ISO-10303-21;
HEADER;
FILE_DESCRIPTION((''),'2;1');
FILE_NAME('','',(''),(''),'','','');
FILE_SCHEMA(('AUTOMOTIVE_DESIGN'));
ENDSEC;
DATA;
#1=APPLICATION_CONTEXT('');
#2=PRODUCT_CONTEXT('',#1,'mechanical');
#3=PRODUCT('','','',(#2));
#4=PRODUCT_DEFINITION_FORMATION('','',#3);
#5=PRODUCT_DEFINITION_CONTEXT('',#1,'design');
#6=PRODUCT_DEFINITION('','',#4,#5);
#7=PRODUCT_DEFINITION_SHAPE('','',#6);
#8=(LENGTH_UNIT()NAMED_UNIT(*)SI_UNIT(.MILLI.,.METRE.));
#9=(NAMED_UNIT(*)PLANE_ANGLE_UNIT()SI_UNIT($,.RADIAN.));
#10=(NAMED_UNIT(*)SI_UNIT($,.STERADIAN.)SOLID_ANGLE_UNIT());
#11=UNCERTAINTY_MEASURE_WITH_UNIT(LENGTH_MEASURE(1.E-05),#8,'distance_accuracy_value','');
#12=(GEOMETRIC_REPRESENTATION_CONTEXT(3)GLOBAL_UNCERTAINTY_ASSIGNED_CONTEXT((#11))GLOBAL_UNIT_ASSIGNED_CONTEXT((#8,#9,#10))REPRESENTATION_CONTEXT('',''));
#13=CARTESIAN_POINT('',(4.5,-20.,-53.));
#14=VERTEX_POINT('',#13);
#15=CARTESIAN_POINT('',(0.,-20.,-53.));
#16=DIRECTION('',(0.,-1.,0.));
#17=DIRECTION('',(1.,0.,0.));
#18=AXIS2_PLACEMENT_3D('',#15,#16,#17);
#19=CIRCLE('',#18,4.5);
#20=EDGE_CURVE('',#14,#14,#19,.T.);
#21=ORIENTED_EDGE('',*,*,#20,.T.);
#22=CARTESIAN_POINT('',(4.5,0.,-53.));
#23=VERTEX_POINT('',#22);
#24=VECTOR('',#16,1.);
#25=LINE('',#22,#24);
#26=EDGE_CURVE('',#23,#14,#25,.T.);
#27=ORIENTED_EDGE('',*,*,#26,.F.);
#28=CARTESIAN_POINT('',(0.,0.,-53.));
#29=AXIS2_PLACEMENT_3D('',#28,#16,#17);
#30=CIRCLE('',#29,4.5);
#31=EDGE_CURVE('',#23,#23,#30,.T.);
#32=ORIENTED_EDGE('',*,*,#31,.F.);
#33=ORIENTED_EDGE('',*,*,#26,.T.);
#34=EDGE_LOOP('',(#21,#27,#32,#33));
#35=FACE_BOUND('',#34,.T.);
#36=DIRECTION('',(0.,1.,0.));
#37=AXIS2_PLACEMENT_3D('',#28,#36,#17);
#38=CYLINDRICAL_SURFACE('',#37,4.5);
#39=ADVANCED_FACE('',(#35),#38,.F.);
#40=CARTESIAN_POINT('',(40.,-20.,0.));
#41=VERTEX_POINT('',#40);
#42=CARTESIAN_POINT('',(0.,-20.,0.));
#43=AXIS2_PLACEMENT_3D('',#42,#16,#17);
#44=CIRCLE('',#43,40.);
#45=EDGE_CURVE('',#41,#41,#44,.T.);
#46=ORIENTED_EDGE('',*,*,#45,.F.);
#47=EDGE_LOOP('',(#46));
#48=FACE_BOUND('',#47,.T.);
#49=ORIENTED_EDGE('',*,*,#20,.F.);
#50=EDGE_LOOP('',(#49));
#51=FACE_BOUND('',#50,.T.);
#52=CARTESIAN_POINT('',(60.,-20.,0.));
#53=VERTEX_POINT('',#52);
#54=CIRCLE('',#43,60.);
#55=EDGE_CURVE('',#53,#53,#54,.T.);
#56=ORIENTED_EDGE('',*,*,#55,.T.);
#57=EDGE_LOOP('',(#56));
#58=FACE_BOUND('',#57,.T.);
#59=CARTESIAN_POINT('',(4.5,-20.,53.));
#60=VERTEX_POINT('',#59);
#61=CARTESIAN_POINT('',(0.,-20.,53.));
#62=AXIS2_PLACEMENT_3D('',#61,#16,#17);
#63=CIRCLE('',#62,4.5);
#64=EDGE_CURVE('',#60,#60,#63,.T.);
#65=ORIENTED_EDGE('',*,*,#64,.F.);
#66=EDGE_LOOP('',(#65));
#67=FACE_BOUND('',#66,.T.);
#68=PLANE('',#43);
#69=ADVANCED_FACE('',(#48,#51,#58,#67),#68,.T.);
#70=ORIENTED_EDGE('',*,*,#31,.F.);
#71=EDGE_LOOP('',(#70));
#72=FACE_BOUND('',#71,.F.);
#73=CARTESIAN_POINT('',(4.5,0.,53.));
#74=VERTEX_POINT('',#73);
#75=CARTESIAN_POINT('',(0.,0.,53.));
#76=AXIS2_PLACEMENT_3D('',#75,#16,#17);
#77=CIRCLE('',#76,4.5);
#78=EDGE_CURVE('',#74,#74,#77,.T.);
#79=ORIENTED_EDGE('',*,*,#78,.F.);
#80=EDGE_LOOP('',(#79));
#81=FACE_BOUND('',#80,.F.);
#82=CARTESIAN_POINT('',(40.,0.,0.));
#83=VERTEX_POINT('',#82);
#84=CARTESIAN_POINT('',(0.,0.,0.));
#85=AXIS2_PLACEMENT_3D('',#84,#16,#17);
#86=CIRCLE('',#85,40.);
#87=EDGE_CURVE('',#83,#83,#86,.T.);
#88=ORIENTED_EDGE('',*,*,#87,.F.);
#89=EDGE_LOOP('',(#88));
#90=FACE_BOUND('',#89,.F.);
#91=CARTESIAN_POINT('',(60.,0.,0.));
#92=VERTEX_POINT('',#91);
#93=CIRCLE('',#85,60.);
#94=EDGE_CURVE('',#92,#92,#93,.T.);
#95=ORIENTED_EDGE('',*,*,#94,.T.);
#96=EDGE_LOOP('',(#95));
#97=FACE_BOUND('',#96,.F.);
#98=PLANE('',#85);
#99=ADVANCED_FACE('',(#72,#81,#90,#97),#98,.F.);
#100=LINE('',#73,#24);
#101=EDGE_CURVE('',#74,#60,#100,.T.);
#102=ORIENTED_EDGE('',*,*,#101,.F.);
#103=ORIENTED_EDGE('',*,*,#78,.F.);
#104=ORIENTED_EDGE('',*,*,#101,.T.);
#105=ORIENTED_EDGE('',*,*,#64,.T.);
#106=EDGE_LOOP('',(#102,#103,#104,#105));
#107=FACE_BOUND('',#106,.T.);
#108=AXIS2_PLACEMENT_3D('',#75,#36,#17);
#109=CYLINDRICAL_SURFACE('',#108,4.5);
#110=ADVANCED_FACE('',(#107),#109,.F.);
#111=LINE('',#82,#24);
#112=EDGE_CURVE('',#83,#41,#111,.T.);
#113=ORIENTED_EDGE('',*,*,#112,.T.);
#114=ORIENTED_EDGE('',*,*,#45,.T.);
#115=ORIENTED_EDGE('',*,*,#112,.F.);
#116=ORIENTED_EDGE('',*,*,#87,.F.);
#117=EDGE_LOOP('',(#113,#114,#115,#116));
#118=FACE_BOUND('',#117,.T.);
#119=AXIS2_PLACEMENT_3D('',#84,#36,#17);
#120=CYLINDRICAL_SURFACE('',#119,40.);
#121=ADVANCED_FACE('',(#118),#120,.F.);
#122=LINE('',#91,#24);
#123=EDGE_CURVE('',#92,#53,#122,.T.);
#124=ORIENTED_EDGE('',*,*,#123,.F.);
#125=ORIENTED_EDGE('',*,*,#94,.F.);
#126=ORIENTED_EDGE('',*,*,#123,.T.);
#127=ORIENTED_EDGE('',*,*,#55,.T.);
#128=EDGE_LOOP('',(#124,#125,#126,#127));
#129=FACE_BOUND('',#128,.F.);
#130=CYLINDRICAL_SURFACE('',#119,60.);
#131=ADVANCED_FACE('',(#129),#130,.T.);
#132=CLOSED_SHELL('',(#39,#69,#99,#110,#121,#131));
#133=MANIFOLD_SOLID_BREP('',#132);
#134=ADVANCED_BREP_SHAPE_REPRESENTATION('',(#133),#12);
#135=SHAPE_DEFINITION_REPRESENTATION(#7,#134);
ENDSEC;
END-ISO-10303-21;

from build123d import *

# Parameters (mm, degrees)
F0_R     = 60
F0_R_2   = 4.5
F0_R_3   = 40
F1_DEPTH = 20


with BuildPart() as f1:
    # F0 (on Front) → F1 (new body)
    with BuildSketch(Plane.XZ):
        Circle(F0_R)
        with Locations((0, -53)):
            Circle(F0_R_2, mode=Mode.SUBTRACT)
        Circle(F0_R_3, mode=Mode.SUBTRACT)
        with Locations((0, 53)):
            Circle(F0_R_2, mode=Mode.SUBTRACT)
    extrude(amount=F1_DEPTH)


solid = f1.part
